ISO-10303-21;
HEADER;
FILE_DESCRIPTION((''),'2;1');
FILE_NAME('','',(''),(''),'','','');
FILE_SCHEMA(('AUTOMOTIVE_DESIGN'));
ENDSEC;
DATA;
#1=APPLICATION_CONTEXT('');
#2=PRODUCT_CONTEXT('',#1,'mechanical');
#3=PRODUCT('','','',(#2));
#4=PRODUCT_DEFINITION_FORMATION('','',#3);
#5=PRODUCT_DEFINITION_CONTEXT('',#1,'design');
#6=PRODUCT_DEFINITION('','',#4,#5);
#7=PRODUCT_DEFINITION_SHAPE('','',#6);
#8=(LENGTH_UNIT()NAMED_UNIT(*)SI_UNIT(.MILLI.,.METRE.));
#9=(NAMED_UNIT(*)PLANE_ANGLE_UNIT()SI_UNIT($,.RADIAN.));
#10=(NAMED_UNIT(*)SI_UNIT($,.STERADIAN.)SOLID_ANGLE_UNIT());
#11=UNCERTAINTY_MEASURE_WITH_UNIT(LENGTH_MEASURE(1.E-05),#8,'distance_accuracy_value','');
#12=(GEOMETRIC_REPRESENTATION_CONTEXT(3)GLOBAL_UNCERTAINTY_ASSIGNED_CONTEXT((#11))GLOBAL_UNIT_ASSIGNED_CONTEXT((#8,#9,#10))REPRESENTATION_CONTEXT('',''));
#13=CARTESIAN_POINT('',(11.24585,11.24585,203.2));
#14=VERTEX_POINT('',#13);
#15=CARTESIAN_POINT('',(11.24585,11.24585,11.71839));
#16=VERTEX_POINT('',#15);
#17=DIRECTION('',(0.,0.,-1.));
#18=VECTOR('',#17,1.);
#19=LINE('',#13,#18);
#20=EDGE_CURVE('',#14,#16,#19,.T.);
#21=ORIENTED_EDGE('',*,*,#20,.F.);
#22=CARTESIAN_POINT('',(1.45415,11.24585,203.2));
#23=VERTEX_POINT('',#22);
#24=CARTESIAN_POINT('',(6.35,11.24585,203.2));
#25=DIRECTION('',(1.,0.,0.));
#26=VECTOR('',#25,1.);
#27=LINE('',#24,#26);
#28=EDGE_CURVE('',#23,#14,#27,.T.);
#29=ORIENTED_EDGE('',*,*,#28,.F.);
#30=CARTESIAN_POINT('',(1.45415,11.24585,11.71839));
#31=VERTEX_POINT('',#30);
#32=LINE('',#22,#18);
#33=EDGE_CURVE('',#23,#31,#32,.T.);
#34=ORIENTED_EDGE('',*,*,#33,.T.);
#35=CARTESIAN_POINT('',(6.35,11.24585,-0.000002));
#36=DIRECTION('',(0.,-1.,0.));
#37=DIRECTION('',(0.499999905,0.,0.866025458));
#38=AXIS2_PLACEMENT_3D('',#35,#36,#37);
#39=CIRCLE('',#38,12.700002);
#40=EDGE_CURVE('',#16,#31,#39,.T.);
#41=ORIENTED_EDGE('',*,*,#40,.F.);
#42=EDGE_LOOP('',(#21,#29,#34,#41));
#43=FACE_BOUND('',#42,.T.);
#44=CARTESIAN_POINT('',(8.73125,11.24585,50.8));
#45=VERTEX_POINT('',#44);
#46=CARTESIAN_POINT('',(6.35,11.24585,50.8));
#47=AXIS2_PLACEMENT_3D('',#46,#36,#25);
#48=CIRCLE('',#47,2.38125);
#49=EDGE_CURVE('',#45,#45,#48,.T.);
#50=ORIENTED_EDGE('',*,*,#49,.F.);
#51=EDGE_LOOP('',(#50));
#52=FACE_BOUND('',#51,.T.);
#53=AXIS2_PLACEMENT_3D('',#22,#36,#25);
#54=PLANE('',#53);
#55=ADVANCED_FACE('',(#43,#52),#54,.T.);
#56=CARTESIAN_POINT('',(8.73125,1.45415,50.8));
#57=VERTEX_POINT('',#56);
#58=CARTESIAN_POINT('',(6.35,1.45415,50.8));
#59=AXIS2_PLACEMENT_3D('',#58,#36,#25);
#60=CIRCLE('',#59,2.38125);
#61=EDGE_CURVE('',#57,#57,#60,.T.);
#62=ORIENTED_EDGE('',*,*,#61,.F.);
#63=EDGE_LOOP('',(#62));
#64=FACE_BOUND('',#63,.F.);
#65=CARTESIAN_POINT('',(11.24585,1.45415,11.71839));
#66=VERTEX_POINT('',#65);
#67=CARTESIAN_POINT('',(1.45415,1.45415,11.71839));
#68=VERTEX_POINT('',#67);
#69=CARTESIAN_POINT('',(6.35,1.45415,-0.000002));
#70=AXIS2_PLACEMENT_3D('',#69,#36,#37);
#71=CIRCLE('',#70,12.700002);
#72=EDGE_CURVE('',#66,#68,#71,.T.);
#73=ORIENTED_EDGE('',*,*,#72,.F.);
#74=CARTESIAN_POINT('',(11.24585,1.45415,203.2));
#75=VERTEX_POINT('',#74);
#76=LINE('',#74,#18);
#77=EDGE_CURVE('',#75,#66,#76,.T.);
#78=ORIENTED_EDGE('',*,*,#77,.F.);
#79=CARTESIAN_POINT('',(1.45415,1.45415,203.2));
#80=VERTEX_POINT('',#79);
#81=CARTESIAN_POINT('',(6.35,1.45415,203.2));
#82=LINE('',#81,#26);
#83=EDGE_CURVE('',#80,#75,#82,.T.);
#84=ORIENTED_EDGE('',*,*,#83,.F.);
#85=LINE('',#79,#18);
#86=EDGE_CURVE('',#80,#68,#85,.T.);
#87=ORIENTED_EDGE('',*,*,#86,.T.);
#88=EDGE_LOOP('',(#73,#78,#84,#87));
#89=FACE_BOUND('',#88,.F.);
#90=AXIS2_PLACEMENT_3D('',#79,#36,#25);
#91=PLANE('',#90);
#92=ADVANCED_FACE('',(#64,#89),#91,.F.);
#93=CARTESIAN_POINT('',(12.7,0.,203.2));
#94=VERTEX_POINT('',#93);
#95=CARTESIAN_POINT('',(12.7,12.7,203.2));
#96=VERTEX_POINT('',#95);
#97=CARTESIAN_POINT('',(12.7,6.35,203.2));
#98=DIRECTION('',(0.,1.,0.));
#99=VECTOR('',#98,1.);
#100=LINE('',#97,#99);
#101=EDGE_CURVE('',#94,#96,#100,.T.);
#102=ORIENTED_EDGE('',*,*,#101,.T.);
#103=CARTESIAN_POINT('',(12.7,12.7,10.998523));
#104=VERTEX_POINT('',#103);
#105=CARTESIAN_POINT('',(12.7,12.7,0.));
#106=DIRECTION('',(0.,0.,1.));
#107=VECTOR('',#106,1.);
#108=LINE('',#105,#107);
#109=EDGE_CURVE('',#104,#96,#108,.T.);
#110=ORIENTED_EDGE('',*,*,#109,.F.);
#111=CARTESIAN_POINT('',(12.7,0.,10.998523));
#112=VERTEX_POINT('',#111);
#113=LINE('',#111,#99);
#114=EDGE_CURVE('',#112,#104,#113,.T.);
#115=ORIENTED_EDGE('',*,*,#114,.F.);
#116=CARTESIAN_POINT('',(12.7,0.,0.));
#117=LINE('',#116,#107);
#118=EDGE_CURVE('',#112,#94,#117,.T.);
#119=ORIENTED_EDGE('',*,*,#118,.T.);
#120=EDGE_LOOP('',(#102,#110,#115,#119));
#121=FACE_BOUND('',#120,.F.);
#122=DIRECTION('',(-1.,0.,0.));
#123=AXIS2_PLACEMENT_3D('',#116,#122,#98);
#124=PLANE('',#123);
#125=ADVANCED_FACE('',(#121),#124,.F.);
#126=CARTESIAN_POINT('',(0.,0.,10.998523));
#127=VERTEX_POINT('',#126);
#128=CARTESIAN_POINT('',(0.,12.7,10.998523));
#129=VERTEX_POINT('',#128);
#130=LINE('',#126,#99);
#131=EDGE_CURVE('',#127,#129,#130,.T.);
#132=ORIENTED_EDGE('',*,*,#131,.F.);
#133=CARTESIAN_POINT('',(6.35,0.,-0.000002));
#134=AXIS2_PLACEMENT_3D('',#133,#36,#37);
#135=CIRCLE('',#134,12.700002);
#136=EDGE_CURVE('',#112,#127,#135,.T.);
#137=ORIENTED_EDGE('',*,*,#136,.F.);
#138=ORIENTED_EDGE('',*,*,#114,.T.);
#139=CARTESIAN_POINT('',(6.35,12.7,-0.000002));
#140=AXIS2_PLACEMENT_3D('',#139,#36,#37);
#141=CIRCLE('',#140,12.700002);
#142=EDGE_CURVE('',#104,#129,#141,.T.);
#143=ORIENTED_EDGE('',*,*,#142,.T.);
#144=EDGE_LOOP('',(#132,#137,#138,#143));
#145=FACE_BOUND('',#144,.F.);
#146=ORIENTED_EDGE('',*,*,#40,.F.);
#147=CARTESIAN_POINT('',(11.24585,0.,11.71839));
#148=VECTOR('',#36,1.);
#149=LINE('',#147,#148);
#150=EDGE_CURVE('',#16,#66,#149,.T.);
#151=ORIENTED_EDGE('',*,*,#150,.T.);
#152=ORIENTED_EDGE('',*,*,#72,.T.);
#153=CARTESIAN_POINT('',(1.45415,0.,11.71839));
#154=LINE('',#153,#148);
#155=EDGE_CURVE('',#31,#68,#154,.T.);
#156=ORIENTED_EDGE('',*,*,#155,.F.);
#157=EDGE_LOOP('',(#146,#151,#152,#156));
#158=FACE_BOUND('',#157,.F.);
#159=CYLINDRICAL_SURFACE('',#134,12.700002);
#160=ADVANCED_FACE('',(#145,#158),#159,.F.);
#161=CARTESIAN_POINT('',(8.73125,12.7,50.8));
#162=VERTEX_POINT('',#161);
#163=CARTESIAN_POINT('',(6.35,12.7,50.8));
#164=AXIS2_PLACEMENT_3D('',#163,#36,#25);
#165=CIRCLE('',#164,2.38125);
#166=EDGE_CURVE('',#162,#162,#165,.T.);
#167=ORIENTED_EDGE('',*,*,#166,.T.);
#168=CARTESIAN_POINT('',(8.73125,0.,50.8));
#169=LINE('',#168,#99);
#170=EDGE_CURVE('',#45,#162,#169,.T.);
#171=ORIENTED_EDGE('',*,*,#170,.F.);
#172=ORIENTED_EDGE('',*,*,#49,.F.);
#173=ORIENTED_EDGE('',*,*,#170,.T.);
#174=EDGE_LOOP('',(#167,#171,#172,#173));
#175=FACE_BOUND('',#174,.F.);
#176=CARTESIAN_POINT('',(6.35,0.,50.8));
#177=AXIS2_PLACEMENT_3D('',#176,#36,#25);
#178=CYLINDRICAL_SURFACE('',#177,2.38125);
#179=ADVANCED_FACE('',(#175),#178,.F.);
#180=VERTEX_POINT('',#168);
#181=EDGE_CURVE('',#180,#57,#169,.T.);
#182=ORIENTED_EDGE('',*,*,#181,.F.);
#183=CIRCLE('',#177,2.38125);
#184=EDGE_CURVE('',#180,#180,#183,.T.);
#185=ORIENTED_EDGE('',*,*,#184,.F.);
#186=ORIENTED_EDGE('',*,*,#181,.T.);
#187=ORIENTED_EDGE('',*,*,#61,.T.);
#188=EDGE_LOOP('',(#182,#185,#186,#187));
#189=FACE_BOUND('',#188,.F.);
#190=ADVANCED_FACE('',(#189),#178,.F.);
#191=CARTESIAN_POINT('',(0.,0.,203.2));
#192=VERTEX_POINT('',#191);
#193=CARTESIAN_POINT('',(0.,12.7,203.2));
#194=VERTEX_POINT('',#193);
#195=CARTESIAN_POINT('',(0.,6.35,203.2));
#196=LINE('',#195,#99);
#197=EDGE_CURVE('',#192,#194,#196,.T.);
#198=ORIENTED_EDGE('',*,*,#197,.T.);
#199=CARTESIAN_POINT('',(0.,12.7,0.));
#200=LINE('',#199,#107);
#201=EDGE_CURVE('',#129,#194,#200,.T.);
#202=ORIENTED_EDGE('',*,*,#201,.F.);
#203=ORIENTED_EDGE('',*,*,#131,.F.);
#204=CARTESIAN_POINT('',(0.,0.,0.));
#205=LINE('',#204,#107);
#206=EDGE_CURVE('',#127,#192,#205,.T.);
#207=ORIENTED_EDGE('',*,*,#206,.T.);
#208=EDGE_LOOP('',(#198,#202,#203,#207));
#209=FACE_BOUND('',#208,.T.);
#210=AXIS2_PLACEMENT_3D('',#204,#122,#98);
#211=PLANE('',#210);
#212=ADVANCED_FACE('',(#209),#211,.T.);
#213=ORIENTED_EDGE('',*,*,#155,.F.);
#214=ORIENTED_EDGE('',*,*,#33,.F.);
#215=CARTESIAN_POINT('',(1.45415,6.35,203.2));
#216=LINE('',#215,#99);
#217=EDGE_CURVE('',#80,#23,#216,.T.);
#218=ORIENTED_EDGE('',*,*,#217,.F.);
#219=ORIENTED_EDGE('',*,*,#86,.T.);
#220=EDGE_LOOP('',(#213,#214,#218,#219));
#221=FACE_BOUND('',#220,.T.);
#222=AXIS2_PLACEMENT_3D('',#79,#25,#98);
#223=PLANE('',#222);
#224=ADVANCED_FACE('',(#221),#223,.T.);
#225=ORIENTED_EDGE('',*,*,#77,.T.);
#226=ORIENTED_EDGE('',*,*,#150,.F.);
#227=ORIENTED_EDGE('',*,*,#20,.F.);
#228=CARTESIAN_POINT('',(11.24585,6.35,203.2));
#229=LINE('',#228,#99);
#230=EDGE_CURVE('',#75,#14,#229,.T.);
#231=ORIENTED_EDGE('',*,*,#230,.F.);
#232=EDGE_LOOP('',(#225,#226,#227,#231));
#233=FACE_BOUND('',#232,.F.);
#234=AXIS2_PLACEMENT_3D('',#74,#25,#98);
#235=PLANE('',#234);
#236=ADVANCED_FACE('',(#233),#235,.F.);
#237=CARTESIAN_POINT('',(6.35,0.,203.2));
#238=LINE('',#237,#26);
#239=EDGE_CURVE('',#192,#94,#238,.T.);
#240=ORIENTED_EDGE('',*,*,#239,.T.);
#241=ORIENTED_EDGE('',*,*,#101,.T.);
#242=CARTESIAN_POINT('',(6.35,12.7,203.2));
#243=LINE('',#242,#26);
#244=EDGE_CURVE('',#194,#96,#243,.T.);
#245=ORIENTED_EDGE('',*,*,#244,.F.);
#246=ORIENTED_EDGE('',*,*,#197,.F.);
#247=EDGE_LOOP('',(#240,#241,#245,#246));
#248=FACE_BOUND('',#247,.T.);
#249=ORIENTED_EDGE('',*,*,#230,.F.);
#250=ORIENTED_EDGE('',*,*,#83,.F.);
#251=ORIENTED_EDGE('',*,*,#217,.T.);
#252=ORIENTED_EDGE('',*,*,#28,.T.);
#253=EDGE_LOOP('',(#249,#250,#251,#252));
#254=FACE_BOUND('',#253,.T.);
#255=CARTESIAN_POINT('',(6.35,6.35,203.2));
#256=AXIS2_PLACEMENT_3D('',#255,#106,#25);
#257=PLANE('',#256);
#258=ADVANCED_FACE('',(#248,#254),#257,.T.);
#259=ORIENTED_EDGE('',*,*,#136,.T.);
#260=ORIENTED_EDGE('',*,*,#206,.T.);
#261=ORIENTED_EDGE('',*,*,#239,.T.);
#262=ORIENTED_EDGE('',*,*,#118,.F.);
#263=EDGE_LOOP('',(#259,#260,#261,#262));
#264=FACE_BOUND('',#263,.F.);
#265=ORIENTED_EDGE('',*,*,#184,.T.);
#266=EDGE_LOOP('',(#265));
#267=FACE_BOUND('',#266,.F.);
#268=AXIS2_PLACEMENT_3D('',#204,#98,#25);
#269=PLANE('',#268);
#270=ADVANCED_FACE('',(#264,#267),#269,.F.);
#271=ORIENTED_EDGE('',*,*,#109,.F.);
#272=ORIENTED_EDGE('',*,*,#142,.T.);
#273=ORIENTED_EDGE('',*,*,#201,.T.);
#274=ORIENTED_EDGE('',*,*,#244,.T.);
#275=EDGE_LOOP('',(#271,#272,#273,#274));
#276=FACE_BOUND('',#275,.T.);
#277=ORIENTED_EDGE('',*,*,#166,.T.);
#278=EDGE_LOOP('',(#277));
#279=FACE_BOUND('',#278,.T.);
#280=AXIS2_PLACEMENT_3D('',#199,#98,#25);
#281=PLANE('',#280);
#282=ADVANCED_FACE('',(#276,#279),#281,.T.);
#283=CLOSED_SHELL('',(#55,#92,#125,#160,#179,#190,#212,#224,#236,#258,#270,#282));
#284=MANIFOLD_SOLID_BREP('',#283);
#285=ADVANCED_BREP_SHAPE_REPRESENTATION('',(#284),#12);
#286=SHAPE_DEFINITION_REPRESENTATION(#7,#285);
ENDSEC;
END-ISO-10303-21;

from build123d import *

# Parameters (mm, degrees)
F0_W     = 12.7
F0_H     = 12.7
F1_DEPTH = 203.2
F3_DEPTH = 25.4
F4_W     = 9.7917
F4_H     = 9.7917
F5_DEPTH = 254
F6_R     = 2.38125
F7_DEPTH = 25.4


with BuildPart() as f1:
    # F0 (on Top) → F1 (new body)
    with BuildSketch(Plane.XY):
        with Locations((6.35, 6.35)):
            Rectangle(F0_W, F0_H)
    extrude(amount=F1_DEPTH)

    # F2 (on face) → F3 (cut)
    with BuildSketch(Plane.XZ):
        with BuildLine():
            ThreePointArc((0, 10.998523), (0, -10.998523), (19.05, 0))
            ThreePointArc((19.05, 0), (17.348523, 6.35), (12.7, 10.998523))
            Line((12.7, 10.998523), (12.7, 0))
            Line((12.7, 0), (0, 0))
            Line((0, 0), (0, 10.998523))
        make_face()
        with BuildLine():
            Line((12.7, 0), (12.7, 10.998523))
            ThreePointArc((12.7, 10.998523), (6.35, 12.7), (0, 10.998523))
            Line((0, 10.998523), (0, 0))
            Line((0, 0), (12.7, 0))
        make_face()
    extrude(amount=-F3_DEPTH, mode=Mode.SUBTRACT)

    # F4 (on face) → F5 (cut)
    with BuildSketch(Plane.XY.offset(203.2)):
        with Locations((6.35, 6.35)):
            Rectangle(F4_W, F4_H)
    extrude(amount=-F5_DEPTH, mode=Mode.SUBTRACT)

    # F6 (on face) → F7 (cut)
    with BuildSketch(Plane.XZ):
        with Locations((6.35, 50.8)):
            Circle(F6_R)
    extrude(amount=-F7_DEPTH, mode=Mode.SUBTRACT)


solid = f1.part
